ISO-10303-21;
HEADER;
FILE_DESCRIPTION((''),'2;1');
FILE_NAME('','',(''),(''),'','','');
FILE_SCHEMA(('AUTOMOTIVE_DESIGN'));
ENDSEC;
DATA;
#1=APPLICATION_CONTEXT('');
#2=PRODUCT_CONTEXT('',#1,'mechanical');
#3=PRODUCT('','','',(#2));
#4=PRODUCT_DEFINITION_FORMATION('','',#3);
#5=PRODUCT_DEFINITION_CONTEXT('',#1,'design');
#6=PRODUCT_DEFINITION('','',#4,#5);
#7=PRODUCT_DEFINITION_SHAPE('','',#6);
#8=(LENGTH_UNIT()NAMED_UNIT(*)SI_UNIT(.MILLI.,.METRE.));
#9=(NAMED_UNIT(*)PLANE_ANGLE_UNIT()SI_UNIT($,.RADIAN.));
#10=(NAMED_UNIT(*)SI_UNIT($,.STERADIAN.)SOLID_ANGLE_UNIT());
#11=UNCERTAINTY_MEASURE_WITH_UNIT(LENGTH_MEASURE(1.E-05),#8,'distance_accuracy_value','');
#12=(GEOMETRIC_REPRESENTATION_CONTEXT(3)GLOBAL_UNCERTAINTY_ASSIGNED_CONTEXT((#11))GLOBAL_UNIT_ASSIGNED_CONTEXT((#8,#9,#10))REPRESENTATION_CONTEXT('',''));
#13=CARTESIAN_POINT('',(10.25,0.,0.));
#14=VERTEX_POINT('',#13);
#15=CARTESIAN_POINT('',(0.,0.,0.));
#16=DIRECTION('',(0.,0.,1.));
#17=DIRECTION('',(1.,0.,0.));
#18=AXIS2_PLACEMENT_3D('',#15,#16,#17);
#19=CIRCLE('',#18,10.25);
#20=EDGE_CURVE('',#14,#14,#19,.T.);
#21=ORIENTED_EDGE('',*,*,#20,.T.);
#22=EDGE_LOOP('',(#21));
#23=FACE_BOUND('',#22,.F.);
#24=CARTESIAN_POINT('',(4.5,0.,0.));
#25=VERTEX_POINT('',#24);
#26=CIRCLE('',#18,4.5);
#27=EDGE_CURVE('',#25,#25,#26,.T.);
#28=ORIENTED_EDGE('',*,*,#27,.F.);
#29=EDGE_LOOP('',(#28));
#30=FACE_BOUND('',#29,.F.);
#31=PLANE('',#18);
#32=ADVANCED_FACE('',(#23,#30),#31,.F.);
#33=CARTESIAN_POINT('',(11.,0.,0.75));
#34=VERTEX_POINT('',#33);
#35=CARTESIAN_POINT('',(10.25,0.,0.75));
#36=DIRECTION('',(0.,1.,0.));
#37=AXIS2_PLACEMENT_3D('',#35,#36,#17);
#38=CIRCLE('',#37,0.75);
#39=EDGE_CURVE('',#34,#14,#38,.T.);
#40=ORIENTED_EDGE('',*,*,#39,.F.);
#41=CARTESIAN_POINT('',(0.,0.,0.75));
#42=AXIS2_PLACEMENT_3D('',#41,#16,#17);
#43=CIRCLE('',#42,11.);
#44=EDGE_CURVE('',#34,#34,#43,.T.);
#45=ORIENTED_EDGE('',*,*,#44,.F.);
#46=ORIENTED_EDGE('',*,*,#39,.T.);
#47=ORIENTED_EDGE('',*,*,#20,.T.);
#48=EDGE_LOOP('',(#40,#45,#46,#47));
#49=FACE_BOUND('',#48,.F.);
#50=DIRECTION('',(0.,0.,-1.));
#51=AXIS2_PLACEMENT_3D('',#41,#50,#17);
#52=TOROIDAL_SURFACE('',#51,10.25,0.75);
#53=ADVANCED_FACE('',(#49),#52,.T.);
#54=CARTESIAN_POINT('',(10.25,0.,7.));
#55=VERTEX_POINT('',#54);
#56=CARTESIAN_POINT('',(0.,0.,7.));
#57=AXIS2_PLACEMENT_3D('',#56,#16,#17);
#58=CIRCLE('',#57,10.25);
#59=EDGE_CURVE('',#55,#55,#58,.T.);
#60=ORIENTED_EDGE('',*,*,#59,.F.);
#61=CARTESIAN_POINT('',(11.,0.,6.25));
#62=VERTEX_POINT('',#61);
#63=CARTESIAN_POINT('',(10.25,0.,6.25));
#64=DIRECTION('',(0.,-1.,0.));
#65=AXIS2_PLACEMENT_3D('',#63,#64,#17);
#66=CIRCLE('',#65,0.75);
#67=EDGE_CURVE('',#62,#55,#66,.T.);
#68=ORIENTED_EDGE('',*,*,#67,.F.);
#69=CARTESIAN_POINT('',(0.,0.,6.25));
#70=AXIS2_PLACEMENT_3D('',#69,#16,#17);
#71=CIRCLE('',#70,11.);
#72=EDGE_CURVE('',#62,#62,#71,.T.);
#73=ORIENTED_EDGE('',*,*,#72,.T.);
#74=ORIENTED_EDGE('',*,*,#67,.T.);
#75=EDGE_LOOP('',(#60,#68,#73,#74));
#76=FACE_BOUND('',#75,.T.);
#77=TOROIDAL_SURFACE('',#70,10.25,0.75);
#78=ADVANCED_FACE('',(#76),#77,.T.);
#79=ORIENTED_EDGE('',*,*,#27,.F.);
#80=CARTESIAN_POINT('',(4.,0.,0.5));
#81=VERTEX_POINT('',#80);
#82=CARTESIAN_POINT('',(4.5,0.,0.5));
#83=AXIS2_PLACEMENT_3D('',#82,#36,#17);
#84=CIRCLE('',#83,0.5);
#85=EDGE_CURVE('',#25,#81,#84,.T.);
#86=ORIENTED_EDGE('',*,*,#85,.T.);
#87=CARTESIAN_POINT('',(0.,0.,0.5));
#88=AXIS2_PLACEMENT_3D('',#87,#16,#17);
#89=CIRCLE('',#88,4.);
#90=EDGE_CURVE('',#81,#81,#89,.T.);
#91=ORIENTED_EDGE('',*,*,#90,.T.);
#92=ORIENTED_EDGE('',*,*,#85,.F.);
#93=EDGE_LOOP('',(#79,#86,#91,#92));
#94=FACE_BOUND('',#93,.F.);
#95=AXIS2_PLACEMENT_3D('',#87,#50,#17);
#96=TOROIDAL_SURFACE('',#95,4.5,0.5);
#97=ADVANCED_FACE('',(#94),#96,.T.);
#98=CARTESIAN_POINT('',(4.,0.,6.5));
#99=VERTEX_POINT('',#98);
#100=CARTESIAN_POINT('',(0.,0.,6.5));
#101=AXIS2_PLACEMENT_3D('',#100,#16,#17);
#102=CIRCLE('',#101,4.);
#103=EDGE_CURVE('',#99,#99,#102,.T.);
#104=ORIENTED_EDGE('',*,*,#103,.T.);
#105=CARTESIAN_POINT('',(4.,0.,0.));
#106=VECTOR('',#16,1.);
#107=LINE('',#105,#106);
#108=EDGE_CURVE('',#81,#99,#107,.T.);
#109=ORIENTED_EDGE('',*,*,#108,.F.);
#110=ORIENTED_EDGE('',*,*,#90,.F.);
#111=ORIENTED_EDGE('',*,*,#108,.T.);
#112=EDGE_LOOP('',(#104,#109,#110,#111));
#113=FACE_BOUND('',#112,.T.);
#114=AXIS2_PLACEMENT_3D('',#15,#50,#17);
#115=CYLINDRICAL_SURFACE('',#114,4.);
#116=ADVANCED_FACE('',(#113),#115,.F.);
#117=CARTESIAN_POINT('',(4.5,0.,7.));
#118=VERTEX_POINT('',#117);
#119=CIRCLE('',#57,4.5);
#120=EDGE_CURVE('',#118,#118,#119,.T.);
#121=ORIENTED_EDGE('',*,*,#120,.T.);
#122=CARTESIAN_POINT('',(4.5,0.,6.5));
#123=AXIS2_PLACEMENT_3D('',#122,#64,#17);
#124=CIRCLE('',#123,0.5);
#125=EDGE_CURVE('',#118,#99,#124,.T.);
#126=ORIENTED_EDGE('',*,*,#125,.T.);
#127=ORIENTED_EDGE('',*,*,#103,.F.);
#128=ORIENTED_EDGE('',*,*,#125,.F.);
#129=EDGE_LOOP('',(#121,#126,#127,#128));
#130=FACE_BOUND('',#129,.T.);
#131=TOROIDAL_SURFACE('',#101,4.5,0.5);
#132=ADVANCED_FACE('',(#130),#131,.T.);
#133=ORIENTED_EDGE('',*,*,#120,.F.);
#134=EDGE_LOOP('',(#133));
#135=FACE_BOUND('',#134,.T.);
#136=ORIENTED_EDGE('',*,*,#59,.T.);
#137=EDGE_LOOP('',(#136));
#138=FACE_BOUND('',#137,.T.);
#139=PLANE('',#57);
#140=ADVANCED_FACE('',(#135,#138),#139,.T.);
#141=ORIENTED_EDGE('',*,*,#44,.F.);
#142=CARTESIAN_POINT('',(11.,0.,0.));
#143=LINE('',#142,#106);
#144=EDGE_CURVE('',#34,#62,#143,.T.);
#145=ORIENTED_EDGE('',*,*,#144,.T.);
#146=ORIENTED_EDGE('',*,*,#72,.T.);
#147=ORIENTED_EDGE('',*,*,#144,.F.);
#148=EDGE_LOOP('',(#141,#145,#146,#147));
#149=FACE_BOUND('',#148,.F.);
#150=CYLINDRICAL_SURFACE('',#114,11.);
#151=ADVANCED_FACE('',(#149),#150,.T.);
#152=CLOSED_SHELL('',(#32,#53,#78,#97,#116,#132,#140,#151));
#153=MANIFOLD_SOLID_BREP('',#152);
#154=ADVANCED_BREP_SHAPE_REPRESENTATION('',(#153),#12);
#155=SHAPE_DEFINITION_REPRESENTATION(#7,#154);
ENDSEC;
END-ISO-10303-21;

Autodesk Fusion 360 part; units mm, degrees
sketch "Sketch1" plane through (0, 0, 0) normal (0, 0, 1) x (1, 0, 0)
  circle A0 centre (0, 0) radius 11
  circle A1 centre (0, 0) radius 4
  dimension "d1" = 22
  dimension "d2" = 8
extrude "Extrude1" add sketch "Sketch1" along normal blind 7
fillet "Fillet1" radius 0.75 2 edges at (-10.2556, -3.9778, 7) (-10.2556, -3.9778, 0)
fillet "Fillet2" radius 0.5 2 edges at (-3.7293, 1.4465, 7) (-3.7293, 1.4465, 0)
